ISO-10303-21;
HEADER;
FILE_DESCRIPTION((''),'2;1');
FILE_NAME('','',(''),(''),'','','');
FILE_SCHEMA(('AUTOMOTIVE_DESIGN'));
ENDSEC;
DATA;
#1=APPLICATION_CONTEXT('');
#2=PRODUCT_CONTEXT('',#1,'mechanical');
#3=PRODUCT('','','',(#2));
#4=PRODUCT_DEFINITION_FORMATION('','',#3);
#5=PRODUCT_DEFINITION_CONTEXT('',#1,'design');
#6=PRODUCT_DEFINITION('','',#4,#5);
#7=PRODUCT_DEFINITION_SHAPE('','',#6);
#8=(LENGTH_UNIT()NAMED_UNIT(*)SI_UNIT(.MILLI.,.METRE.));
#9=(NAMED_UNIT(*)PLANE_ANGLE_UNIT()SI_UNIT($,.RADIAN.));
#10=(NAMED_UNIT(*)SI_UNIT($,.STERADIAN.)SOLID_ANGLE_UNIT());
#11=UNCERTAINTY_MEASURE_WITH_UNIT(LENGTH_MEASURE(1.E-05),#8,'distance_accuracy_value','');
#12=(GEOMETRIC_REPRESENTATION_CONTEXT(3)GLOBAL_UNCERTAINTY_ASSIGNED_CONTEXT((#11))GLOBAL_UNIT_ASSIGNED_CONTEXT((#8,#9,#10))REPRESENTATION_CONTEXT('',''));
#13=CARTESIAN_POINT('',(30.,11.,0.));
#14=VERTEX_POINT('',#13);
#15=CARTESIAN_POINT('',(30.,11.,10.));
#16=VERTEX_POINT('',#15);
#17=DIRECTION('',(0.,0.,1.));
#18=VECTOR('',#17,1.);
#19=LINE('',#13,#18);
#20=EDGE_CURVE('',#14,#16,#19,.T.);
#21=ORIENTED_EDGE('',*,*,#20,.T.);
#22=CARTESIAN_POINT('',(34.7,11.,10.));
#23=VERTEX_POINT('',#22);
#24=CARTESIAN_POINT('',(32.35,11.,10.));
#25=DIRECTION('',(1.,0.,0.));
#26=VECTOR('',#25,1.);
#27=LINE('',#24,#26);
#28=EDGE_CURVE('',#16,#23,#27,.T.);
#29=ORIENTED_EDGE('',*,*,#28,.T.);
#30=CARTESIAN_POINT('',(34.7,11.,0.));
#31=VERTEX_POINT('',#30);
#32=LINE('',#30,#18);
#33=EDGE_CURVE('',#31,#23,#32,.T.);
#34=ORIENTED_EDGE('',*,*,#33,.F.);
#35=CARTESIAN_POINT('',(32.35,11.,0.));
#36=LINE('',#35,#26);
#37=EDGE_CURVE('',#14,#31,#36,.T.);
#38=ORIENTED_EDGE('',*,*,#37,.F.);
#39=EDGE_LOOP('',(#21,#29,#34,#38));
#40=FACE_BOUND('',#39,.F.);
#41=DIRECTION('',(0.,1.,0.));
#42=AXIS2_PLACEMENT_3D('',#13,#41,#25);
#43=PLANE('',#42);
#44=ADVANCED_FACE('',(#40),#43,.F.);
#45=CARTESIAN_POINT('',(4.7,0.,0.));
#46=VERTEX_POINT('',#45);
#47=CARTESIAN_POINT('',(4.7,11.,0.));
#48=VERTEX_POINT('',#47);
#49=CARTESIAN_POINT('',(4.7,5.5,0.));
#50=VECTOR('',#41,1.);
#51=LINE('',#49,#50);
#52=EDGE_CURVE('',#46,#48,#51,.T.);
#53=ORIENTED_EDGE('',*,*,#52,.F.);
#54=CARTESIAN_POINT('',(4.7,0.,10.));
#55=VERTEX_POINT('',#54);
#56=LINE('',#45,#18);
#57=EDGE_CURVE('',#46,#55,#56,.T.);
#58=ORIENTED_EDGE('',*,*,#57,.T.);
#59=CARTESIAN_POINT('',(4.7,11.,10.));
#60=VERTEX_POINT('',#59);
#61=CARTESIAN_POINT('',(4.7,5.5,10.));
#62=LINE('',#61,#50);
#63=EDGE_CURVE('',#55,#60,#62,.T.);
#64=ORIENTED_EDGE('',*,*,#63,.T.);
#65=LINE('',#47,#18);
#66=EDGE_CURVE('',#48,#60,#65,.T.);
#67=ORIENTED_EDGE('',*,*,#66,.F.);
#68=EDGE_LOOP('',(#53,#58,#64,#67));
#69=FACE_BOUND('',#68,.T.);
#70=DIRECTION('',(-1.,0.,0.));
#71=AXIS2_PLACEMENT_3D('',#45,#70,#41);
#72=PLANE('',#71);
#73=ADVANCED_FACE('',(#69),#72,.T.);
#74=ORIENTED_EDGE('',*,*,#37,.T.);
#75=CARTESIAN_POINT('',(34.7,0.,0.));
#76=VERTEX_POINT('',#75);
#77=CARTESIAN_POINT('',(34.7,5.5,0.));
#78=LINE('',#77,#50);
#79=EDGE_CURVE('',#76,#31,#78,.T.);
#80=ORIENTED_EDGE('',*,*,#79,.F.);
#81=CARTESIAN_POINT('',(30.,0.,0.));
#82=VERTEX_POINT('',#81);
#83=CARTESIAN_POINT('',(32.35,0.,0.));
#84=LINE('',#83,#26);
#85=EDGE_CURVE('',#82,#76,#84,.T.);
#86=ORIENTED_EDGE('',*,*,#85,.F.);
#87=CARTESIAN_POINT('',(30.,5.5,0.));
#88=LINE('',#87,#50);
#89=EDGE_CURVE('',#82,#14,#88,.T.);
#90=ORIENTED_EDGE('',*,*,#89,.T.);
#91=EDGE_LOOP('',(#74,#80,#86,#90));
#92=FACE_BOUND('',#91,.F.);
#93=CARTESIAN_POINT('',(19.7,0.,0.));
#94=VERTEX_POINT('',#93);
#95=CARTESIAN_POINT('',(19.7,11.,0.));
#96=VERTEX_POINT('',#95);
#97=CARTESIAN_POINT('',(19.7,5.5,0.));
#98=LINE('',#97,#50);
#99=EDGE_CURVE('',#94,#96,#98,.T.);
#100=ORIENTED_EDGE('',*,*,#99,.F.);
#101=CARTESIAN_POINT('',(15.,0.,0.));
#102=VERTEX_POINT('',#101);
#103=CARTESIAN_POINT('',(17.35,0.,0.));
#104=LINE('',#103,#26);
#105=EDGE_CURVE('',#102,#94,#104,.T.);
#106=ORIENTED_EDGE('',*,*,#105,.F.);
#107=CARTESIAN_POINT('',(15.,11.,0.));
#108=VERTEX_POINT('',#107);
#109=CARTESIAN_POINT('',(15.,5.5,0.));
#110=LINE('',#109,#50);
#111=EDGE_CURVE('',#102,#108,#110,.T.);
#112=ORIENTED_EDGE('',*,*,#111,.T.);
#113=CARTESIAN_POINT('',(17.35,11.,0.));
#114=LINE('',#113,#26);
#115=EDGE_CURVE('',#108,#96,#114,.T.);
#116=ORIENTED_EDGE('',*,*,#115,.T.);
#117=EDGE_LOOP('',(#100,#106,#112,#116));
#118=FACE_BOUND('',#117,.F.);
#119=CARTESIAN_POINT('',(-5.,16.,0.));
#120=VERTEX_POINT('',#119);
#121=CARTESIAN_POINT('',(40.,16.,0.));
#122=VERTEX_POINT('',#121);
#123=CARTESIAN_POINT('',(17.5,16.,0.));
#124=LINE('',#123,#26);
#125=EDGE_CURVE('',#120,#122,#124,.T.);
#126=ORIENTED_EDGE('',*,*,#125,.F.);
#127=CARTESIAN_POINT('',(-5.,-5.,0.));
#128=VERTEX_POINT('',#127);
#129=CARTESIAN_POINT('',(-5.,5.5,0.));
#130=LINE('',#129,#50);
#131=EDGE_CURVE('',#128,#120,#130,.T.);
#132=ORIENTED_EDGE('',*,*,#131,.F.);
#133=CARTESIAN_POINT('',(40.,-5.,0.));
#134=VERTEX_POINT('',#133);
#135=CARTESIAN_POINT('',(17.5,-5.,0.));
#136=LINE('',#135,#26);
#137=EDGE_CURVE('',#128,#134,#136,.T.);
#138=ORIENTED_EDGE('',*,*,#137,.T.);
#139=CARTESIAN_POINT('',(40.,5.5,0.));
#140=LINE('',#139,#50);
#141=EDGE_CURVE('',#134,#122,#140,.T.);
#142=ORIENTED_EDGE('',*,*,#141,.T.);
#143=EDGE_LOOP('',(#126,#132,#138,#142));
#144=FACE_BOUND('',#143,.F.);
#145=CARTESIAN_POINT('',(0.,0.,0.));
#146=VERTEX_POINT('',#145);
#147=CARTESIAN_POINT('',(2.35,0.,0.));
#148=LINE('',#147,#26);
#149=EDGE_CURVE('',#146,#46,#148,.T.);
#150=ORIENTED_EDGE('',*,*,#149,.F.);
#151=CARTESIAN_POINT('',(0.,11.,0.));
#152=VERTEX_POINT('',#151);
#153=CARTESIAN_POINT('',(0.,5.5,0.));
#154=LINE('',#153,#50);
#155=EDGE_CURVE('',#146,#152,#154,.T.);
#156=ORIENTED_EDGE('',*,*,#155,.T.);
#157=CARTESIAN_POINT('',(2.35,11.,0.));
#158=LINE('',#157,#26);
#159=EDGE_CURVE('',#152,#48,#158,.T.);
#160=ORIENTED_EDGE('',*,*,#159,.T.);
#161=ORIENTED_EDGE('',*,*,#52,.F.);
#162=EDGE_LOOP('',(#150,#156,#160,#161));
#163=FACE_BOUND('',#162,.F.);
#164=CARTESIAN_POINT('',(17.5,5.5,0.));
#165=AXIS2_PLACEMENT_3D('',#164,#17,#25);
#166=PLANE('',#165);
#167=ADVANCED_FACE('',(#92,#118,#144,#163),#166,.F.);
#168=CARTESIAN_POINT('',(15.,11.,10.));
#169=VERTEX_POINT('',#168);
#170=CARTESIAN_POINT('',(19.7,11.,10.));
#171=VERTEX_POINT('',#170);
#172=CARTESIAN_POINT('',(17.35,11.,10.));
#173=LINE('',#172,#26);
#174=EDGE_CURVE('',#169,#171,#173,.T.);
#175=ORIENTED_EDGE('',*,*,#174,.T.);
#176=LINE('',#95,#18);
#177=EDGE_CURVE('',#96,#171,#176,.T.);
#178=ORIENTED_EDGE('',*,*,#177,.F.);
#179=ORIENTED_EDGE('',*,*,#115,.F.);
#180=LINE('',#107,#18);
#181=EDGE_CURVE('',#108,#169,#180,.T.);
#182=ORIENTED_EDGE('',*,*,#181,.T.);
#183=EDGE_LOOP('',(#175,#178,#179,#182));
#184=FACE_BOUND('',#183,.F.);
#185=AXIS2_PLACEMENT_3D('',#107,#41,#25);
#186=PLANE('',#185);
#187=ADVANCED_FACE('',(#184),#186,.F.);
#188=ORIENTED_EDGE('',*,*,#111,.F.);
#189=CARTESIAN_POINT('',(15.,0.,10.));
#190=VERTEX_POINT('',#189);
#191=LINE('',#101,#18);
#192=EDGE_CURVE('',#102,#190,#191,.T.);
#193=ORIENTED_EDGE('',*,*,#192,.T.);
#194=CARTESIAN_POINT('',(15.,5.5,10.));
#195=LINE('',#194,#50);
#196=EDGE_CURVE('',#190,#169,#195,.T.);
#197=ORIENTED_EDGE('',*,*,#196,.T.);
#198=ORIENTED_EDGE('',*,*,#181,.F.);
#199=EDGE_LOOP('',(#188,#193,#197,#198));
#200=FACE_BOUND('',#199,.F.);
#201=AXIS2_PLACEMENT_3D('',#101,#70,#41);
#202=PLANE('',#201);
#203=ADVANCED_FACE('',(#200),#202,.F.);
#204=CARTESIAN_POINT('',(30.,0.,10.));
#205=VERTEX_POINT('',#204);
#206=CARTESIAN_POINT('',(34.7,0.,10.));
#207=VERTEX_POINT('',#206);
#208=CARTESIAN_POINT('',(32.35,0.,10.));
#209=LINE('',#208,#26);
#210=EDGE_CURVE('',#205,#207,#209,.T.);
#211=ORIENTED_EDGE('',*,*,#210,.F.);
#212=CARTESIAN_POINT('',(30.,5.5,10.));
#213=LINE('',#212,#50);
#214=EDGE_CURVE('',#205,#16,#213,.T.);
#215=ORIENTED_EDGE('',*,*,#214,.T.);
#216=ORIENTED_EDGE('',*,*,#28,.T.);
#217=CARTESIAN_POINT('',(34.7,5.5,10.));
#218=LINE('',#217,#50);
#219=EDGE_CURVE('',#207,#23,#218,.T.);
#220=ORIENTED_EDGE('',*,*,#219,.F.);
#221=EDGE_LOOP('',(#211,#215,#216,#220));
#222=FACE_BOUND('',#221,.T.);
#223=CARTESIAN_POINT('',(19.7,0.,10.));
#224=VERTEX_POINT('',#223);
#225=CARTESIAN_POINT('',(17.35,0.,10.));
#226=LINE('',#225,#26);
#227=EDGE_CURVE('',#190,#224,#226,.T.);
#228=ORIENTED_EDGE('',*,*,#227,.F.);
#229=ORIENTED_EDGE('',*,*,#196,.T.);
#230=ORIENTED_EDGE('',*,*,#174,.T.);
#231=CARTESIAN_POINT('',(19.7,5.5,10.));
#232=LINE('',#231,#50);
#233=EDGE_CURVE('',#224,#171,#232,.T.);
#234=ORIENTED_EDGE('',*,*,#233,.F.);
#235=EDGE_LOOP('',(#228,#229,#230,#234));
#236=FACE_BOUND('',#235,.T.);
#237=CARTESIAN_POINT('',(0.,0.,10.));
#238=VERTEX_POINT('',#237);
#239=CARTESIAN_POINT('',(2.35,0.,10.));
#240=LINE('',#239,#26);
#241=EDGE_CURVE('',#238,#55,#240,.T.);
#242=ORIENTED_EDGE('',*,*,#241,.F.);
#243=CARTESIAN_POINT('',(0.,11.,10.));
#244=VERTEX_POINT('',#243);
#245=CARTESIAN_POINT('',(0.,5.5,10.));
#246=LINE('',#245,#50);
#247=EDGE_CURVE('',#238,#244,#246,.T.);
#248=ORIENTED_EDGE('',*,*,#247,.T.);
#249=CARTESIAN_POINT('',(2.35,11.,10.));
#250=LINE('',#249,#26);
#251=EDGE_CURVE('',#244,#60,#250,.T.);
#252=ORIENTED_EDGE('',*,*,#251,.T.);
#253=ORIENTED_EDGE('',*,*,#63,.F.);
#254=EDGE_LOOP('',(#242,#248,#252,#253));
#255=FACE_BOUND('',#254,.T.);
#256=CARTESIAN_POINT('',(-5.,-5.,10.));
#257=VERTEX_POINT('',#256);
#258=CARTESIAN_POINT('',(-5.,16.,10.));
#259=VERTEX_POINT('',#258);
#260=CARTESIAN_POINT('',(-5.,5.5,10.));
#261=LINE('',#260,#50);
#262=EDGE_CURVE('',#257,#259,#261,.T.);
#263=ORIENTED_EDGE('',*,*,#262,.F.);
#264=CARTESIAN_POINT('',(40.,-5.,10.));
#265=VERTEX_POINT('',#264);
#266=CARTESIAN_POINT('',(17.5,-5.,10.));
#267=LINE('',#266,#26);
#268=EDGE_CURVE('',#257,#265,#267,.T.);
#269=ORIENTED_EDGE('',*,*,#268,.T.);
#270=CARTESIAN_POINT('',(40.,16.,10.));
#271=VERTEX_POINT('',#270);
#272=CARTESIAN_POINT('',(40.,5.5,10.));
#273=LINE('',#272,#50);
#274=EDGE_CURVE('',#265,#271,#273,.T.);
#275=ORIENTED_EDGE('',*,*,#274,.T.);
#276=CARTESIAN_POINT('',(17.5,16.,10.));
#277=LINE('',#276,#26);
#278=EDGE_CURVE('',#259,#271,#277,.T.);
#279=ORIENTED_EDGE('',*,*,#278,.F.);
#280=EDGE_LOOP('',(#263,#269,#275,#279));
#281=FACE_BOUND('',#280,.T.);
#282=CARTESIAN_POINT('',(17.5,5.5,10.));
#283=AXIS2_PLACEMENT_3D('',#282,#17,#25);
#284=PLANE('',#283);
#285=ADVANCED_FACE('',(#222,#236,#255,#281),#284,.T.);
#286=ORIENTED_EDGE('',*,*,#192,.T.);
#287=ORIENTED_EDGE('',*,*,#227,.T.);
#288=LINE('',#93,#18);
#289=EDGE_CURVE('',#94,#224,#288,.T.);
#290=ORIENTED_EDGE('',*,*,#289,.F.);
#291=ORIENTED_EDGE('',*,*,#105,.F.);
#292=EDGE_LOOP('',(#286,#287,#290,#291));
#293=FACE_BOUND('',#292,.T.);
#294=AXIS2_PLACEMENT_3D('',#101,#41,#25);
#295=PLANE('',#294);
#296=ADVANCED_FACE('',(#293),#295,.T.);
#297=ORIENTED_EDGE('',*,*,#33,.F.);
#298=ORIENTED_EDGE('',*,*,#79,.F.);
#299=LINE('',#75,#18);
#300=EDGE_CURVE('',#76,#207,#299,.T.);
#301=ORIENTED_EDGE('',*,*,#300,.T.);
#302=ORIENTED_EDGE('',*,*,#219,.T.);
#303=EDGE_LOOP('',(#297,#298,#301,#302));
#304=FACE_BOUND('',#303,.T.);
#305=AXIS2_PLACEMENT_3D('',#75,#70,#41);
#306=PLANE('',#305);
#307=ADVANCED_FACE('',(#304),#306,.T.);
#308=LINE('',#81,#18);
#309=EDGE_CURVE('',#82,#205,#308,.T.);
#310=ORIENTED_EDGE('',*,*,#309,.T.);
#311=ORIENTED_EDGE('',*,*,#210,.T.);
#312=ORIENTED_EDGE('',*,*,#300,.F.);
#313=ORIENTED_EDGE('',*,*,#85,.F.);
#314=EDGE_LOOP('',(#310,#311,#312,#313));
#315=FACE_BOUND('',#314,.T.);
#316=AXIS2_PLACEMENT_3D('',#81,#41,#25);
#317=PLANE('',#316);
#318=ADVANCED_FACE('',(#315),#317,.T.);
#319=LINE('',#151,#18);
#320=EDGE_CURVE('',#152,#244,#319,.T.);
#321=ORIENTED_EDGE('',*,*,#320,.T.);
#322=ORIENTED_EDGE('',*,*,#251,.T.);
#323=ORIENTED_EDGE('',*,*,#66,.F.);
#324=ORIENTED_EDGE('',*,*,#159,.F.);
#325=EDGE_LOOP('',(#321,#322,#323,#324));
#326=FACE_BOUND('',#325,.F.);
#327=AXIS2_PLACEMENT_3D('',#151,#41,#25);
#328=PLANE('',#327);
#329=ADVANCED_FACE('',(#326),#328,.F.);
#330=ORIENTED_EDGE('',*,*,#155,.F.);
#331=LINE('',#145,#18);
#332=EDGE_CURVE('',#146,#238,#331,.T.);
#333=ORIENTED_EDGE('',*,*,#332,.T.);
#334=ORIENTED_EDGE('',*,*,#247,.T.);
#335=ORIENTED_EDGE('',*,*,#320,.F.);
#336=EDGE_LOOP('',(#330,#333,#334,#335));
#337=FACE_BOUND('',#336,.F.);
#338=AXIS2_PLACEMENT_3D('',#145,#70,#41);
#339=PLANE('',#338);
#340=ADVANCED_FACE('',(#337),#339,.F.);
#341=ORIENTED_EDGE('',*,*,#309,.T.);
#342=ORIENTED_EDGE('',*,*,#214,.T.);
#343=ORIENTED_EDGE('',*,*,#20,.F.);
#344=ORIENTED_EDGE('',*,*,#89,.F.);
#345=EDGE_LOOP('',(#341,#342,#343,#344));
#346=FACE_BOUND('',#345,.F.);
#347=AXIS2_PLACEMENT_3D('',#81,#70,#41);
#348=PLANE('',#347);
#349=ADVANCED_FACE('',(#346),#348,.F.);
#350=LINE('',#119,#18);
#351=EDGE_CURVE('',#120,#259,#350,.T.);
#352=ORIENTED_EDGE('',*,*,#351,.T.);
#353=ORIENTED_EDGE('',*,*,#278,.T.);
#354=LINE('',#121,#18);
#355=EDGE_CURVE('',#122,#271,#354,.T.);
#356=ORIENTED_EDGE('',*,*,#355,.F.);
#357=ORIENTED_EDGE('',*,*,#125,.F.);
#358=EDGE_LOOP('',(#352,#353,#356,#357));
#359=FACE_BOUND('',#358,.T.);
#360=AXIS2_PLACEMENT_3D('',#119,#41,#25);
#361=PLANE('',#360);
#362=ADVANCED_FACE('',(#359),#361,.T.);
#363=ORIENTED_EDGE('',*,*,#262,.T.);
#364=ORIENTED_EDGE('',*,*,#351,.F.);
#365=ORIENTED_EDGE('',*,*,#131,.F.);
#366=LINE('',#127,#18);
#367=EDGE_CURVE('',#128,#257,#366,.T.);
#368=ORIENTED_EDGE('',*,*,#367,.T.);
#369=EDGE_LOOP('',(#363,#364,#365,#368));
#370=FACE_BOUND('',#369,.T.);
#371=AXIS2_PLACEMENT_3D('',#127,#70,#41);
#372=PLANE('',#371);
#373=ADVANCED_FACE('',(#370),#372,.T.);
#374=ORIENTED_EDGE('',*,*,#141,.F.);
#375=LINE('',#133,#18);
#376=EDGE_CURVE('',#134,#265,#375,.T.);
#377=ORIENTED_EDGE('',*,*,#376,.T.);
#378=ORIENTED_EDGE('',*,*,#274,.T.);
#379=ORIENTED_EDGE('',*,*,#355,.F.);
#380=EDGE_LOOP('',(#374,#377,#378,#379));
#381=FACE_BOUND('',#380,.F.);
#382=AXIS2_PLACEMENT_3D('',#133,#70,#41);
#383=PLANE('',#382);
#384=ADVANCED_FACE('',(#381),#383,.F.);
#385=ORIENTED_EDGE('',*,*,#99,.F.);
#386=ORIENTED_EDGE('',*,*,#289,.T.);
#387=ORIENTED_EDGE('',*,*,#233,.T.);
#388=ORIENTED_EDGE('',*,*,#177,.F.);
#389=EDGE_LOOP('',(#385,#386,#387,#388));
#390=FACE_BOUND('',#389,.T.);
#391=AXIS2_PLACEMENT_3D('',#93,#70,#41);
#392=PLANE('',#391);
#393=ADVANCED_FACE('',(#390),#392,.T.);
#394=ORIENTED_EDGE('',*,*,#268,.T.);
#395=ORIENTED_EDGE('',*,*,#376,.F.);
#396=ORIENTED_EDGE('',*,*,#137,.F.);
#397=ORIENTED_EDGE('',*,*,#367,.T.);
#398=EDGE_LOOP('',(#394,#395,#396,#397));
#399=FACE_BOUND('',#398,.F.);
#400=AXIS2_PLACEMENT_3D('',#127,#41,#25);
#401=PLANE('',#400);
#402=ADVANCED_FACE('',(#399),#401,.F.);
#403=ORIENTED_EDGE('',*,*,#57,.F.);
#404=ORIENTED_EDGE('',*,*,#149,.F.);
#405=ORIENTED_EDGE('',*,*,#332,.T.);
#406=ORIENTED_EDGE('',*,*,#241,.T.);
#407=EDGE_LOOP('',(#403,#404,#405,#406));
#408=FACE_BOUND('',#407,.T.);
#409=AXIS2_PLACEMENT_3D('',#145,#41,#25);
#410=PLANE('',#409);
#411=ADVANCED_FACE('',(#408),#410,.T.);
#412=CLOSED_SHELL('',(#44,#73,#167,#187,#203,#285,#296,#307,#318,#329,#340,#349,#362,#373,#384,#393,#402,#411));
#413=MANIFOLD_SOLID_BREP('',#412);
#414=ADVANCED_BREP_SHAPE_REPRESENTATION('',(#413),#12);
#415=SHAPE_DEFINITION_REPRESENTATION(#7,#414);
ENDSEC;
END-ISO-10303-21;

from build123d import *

# Parameters (mm, degrees)
BOX_W        = 4.7
BOX_H        = 11
BOX_DEPTH    = 10
BOX001_W     = 4.7
BOX001_H     = 11
BOX001_DEPTH = 10
BOX002_W     = 4.7
BOX002_H     = 11
BOX002_DEPTH = 10
BOX003_W     = 45
BOX003_H     = 21
BOX003_DEPTH = 10


with BuildPart() as cub:
    # Box → Box (new body)
    with BuildSketch(Plane.XY):
        with Locations((2.35, 5.5)):
            Rectangle(BOX_W, BOX_H)
    extrude(amount=BOX_DEPTH)


with BuildPart() as cub001:
    # Box001 → Box001 (new body)
    with BuildSketch(Plane(origin=(15, 0, 0), x_dir=(1, 0, 0), z_dir=(0, 0, 1))):
        with Locations((2.35, 5.5)):
            Rectangle(BOX001_W, BOX001_H)
    extrude(amount=BOX001_DEPTH)


with BuildPart() as cub002:
    # Box002 → Box002 (new body)
    with BuildSketch(Plane(origin=(30, 0, 0), x_dir=(1, 0, 0), z_dir=(0, 0, 1))):
        with Locations((2.35, 5.5)):
            Rectangle(BOX002_W, BOX002_H)
    extrude(amount=BOX002_DEPTH)


with BuildPart() as cut002:
    # Box003 → Box003 (new body)
    with BuildSketch(Plane(origin=(-5, -5, 0), x_dir=(1, 0, 0), z_dir=(0, 0, 1))):
        with Locations((22.5, 10.5)):
            Rectangle(BOX003_W, BOX003_H)
    extrude(amount=BOX003_DEPTH)

    # Cut: cut Cub002
    add(cub002.part, mode=Mode.SUBTRACT)

    # Cut001: cut Cub001
    add(cub001.part, mode=Mode.SUBTRACT)

    # Cut002: cut Cub
    add(cub.part, mode=Mode.SUBTRACT)


solid = cut002.part
